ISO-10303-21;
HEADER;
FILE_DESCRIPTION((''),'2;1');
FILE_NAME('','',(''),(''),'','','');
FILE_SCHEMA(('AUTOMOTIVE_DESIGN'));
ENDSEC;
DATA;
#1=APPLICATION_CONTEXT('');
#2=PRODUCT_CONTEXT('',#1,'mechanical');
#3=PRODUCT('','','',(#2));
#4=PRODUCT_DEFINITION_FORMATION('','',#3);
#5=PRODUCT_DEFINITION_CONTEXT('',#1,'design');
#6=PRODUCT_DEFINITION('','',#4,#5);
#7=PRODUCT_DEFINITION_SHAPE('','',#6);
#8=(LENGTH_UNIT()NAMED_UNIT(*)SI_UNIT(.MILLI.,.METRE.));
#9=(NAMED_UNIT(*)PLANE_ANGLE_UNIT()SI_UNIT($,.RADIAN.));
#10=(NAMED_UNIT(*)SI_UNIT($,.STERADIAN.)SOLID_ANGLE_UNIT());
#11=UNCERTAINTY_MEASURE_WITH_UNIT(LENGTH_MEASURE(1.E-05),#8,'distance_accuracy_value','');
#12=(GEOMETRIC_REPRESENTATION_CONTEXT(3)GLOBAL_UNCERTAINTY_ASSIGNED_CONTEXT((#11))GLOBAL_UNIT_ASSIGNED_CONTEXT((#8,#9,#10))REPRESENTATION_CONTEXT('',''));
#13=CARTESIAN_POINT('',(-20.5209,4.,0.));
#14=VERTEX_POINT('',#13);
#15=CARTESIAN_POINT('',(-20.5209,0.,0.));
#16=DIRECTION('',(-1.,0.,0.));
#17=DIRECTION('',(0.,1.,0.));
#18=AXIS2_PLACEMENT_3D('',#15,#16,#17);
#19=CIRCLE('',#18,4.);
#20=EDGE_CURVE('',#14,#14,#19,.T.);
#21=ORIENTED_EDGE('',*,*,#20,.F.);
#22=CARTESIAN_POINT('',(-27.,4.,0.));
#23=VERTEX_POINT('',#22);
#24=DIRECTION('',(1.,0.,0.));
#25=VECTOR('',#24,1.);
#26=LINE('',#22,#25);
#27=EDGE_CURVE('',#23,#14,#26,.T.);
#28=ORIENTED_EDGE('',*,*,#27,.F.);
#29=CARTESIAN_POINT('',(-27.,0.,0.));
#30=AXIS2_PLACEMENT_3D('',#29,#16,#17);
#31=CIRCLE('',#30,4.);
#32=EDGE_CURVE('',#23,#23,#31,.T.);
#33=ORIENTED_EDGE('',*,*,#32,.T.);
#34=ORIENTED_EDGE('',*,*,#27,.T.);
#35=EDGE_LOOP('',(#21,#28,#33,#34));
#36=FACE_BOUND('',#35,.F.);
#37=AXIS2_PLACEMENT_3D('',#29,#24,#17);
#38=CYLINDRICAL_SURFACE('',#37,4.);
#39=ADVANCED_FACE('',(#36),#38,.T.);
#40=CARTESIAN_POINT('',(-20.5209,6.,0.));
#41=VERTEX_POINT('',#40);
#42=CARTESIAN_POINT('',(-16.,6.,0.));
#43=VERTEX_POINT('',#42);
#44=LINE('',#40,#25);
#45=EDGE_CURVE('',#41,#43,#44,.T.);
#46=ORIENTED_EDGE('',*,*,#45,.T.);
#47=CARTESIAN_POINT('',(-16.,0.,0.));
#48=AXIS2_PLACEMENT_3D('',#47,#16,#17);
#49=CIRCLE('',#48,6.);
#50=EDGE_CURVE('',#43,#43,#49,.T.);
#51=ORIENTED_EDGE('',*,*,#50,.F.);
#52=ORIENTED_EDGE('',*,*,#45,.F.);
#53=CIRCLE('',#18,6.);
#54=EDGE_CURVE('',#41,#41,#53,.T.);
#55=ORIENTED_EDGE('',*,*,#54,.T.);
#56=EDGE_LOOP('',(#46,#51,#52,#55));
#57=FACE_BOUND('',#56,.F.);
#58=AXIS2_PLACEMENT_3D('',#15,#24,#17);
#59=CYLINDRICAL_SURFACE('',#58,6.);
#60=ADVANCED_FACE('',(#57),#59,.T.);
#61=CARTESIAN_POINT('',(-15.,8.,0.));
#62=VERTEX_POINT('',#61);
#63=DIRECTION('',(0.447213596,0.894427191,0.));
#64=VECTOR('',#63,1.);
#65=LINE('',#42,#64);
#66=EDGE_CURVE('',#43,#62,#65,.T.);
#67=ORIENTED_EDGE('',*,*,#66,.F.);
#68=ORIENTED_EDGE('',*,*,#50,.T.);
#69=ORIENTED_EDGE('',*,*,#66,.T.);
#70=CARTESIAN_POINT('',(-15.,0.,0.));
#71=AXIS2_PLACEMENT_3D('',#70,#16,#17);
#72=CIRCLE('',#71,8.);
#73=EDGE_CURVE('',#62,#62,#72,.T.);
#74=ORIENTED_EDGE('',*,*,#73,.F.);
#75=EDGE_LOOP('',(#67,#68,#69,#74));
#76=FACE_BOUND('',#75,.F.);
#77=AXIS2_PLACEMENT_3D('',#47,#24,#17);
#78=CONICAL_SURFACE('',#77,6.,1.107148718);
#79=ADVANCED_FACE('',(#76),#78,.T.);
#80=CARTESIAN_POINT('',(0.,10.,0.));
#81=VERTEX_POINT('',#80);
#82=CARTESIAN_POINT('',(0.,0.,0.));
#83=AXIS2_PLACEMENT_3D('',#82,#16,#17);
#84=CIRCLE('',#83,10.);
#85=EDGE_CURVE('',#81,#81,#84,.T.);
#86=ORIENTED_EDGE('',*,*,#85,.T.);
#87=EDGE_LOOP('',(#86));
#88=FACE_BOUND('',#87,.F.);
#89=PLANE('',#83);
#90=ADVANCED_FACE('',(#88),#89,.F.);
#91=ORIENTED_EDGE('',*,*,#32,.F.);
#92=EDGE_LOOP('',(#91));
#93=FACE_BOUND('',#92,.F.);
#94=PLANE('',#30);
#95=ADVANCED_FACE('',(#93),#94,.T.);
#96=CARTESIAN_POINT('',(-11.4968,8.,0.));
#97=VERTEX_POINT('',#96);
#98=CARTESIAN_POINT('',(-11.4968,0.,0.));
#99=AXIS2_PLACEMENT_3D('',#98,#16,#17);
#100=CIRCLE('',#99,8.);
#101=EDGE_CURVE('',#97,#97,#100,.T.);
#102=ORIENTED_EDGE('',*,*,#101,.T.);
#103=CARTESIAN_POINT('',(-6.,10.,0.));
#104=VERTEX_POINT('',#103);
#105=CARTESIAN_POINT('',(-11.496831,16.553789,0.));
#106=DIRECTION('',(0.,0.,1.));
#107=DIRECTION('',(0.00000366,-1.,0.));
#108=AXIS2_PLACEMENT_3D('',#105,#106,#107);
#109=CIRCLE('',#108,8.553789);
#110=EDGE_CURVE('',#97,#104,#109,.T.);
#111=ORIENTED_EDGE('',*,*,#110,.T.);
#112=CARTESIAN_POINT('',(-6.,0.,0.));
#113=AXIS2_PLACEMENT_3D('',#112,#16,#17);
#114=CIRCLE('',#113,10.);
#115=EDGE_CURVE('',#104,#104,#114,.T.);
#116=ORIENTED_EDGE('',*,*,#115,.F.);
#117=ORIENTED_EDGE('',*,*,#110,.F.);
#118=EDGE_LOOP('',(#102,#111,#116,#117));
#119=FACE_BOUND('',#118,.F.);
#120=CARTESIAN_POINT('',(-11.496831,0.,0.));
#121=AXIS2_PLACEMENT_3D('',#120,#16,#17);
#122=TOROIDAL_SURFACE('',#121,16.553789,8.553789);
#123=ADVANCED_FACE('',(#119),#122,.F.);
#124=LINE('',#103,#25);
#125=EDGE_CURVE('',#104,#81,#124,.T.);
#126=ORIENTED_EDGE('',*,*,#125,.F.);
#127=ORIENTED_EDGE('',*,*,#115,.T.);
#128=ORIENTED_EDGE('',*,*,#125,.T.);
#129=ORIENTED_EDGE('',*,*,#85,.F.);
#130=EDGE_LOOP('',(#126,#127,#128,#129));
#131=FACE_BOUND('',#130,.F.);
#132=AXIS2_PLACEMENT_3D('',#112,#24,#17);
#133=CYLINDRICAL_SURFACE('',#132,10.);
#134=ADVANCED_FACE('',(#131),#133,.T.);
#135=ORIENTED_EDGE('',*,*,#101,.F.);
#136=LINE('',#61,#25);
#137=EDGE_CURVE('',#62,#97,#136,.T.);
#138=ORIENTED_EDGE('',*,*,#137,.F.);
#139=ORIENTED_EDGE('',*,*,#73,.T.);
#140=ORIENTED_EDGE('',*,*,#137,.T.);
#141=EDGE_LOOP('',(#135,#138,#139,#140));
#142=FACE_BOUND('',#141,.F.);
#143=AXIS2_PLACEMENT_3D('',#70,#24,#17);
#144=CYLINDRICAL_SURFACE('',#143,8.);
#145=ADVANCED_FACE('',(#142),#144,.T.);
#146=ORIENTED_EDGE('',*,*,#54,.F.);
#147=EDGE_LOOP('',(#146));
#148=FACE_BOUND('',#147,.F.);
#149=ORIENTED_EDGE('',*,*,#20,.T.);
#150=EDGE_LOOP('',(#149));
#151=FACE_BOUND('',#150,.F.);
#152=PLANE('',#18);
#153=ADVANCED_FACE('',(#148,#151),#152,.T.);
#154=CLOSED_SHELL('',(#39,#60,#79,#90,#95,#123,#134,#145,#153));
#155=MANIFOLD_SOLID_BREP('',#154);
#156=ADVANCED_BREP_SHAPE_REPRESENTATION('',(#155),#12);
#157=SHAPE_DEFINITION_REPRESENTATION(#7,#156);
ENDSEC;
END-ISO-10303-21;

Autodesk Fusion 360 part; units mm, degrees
sketch "Sketch1" plane through (0, 0, 0) normal (0, 0, 1) x (1, 0, 0)
  line L0 (0, 0) -> (-27, 0)
  line L1 (-27, 0) -> (-27, 4)
  line L2 (-27, 4) -> (-20.5209, 4)
  line L3 (-20.5209, 4) -> (-20.5209, 6)
  line L4 (-20.5209, 6) -> (-16, 6)
  line L5 (-16, 6) -> (-15, 8)
  line L6 (-15, 8) -> (-11.4968, 8)
  arc A0 (-11.4968, 8) -> (-6, 10) centre (-11.4968, 16.5538) ccw
  line L7 (-6, 10) -> (0, 10)
  line L8 (0, 10) -> (0, 0)
  dimension "d1" = 4
  dimension "d2" = 27
revolve "Revolve1" add sketch "Sketch1" angle 360 about axis through (0, 0, 0) along (-1, 0, 0)
